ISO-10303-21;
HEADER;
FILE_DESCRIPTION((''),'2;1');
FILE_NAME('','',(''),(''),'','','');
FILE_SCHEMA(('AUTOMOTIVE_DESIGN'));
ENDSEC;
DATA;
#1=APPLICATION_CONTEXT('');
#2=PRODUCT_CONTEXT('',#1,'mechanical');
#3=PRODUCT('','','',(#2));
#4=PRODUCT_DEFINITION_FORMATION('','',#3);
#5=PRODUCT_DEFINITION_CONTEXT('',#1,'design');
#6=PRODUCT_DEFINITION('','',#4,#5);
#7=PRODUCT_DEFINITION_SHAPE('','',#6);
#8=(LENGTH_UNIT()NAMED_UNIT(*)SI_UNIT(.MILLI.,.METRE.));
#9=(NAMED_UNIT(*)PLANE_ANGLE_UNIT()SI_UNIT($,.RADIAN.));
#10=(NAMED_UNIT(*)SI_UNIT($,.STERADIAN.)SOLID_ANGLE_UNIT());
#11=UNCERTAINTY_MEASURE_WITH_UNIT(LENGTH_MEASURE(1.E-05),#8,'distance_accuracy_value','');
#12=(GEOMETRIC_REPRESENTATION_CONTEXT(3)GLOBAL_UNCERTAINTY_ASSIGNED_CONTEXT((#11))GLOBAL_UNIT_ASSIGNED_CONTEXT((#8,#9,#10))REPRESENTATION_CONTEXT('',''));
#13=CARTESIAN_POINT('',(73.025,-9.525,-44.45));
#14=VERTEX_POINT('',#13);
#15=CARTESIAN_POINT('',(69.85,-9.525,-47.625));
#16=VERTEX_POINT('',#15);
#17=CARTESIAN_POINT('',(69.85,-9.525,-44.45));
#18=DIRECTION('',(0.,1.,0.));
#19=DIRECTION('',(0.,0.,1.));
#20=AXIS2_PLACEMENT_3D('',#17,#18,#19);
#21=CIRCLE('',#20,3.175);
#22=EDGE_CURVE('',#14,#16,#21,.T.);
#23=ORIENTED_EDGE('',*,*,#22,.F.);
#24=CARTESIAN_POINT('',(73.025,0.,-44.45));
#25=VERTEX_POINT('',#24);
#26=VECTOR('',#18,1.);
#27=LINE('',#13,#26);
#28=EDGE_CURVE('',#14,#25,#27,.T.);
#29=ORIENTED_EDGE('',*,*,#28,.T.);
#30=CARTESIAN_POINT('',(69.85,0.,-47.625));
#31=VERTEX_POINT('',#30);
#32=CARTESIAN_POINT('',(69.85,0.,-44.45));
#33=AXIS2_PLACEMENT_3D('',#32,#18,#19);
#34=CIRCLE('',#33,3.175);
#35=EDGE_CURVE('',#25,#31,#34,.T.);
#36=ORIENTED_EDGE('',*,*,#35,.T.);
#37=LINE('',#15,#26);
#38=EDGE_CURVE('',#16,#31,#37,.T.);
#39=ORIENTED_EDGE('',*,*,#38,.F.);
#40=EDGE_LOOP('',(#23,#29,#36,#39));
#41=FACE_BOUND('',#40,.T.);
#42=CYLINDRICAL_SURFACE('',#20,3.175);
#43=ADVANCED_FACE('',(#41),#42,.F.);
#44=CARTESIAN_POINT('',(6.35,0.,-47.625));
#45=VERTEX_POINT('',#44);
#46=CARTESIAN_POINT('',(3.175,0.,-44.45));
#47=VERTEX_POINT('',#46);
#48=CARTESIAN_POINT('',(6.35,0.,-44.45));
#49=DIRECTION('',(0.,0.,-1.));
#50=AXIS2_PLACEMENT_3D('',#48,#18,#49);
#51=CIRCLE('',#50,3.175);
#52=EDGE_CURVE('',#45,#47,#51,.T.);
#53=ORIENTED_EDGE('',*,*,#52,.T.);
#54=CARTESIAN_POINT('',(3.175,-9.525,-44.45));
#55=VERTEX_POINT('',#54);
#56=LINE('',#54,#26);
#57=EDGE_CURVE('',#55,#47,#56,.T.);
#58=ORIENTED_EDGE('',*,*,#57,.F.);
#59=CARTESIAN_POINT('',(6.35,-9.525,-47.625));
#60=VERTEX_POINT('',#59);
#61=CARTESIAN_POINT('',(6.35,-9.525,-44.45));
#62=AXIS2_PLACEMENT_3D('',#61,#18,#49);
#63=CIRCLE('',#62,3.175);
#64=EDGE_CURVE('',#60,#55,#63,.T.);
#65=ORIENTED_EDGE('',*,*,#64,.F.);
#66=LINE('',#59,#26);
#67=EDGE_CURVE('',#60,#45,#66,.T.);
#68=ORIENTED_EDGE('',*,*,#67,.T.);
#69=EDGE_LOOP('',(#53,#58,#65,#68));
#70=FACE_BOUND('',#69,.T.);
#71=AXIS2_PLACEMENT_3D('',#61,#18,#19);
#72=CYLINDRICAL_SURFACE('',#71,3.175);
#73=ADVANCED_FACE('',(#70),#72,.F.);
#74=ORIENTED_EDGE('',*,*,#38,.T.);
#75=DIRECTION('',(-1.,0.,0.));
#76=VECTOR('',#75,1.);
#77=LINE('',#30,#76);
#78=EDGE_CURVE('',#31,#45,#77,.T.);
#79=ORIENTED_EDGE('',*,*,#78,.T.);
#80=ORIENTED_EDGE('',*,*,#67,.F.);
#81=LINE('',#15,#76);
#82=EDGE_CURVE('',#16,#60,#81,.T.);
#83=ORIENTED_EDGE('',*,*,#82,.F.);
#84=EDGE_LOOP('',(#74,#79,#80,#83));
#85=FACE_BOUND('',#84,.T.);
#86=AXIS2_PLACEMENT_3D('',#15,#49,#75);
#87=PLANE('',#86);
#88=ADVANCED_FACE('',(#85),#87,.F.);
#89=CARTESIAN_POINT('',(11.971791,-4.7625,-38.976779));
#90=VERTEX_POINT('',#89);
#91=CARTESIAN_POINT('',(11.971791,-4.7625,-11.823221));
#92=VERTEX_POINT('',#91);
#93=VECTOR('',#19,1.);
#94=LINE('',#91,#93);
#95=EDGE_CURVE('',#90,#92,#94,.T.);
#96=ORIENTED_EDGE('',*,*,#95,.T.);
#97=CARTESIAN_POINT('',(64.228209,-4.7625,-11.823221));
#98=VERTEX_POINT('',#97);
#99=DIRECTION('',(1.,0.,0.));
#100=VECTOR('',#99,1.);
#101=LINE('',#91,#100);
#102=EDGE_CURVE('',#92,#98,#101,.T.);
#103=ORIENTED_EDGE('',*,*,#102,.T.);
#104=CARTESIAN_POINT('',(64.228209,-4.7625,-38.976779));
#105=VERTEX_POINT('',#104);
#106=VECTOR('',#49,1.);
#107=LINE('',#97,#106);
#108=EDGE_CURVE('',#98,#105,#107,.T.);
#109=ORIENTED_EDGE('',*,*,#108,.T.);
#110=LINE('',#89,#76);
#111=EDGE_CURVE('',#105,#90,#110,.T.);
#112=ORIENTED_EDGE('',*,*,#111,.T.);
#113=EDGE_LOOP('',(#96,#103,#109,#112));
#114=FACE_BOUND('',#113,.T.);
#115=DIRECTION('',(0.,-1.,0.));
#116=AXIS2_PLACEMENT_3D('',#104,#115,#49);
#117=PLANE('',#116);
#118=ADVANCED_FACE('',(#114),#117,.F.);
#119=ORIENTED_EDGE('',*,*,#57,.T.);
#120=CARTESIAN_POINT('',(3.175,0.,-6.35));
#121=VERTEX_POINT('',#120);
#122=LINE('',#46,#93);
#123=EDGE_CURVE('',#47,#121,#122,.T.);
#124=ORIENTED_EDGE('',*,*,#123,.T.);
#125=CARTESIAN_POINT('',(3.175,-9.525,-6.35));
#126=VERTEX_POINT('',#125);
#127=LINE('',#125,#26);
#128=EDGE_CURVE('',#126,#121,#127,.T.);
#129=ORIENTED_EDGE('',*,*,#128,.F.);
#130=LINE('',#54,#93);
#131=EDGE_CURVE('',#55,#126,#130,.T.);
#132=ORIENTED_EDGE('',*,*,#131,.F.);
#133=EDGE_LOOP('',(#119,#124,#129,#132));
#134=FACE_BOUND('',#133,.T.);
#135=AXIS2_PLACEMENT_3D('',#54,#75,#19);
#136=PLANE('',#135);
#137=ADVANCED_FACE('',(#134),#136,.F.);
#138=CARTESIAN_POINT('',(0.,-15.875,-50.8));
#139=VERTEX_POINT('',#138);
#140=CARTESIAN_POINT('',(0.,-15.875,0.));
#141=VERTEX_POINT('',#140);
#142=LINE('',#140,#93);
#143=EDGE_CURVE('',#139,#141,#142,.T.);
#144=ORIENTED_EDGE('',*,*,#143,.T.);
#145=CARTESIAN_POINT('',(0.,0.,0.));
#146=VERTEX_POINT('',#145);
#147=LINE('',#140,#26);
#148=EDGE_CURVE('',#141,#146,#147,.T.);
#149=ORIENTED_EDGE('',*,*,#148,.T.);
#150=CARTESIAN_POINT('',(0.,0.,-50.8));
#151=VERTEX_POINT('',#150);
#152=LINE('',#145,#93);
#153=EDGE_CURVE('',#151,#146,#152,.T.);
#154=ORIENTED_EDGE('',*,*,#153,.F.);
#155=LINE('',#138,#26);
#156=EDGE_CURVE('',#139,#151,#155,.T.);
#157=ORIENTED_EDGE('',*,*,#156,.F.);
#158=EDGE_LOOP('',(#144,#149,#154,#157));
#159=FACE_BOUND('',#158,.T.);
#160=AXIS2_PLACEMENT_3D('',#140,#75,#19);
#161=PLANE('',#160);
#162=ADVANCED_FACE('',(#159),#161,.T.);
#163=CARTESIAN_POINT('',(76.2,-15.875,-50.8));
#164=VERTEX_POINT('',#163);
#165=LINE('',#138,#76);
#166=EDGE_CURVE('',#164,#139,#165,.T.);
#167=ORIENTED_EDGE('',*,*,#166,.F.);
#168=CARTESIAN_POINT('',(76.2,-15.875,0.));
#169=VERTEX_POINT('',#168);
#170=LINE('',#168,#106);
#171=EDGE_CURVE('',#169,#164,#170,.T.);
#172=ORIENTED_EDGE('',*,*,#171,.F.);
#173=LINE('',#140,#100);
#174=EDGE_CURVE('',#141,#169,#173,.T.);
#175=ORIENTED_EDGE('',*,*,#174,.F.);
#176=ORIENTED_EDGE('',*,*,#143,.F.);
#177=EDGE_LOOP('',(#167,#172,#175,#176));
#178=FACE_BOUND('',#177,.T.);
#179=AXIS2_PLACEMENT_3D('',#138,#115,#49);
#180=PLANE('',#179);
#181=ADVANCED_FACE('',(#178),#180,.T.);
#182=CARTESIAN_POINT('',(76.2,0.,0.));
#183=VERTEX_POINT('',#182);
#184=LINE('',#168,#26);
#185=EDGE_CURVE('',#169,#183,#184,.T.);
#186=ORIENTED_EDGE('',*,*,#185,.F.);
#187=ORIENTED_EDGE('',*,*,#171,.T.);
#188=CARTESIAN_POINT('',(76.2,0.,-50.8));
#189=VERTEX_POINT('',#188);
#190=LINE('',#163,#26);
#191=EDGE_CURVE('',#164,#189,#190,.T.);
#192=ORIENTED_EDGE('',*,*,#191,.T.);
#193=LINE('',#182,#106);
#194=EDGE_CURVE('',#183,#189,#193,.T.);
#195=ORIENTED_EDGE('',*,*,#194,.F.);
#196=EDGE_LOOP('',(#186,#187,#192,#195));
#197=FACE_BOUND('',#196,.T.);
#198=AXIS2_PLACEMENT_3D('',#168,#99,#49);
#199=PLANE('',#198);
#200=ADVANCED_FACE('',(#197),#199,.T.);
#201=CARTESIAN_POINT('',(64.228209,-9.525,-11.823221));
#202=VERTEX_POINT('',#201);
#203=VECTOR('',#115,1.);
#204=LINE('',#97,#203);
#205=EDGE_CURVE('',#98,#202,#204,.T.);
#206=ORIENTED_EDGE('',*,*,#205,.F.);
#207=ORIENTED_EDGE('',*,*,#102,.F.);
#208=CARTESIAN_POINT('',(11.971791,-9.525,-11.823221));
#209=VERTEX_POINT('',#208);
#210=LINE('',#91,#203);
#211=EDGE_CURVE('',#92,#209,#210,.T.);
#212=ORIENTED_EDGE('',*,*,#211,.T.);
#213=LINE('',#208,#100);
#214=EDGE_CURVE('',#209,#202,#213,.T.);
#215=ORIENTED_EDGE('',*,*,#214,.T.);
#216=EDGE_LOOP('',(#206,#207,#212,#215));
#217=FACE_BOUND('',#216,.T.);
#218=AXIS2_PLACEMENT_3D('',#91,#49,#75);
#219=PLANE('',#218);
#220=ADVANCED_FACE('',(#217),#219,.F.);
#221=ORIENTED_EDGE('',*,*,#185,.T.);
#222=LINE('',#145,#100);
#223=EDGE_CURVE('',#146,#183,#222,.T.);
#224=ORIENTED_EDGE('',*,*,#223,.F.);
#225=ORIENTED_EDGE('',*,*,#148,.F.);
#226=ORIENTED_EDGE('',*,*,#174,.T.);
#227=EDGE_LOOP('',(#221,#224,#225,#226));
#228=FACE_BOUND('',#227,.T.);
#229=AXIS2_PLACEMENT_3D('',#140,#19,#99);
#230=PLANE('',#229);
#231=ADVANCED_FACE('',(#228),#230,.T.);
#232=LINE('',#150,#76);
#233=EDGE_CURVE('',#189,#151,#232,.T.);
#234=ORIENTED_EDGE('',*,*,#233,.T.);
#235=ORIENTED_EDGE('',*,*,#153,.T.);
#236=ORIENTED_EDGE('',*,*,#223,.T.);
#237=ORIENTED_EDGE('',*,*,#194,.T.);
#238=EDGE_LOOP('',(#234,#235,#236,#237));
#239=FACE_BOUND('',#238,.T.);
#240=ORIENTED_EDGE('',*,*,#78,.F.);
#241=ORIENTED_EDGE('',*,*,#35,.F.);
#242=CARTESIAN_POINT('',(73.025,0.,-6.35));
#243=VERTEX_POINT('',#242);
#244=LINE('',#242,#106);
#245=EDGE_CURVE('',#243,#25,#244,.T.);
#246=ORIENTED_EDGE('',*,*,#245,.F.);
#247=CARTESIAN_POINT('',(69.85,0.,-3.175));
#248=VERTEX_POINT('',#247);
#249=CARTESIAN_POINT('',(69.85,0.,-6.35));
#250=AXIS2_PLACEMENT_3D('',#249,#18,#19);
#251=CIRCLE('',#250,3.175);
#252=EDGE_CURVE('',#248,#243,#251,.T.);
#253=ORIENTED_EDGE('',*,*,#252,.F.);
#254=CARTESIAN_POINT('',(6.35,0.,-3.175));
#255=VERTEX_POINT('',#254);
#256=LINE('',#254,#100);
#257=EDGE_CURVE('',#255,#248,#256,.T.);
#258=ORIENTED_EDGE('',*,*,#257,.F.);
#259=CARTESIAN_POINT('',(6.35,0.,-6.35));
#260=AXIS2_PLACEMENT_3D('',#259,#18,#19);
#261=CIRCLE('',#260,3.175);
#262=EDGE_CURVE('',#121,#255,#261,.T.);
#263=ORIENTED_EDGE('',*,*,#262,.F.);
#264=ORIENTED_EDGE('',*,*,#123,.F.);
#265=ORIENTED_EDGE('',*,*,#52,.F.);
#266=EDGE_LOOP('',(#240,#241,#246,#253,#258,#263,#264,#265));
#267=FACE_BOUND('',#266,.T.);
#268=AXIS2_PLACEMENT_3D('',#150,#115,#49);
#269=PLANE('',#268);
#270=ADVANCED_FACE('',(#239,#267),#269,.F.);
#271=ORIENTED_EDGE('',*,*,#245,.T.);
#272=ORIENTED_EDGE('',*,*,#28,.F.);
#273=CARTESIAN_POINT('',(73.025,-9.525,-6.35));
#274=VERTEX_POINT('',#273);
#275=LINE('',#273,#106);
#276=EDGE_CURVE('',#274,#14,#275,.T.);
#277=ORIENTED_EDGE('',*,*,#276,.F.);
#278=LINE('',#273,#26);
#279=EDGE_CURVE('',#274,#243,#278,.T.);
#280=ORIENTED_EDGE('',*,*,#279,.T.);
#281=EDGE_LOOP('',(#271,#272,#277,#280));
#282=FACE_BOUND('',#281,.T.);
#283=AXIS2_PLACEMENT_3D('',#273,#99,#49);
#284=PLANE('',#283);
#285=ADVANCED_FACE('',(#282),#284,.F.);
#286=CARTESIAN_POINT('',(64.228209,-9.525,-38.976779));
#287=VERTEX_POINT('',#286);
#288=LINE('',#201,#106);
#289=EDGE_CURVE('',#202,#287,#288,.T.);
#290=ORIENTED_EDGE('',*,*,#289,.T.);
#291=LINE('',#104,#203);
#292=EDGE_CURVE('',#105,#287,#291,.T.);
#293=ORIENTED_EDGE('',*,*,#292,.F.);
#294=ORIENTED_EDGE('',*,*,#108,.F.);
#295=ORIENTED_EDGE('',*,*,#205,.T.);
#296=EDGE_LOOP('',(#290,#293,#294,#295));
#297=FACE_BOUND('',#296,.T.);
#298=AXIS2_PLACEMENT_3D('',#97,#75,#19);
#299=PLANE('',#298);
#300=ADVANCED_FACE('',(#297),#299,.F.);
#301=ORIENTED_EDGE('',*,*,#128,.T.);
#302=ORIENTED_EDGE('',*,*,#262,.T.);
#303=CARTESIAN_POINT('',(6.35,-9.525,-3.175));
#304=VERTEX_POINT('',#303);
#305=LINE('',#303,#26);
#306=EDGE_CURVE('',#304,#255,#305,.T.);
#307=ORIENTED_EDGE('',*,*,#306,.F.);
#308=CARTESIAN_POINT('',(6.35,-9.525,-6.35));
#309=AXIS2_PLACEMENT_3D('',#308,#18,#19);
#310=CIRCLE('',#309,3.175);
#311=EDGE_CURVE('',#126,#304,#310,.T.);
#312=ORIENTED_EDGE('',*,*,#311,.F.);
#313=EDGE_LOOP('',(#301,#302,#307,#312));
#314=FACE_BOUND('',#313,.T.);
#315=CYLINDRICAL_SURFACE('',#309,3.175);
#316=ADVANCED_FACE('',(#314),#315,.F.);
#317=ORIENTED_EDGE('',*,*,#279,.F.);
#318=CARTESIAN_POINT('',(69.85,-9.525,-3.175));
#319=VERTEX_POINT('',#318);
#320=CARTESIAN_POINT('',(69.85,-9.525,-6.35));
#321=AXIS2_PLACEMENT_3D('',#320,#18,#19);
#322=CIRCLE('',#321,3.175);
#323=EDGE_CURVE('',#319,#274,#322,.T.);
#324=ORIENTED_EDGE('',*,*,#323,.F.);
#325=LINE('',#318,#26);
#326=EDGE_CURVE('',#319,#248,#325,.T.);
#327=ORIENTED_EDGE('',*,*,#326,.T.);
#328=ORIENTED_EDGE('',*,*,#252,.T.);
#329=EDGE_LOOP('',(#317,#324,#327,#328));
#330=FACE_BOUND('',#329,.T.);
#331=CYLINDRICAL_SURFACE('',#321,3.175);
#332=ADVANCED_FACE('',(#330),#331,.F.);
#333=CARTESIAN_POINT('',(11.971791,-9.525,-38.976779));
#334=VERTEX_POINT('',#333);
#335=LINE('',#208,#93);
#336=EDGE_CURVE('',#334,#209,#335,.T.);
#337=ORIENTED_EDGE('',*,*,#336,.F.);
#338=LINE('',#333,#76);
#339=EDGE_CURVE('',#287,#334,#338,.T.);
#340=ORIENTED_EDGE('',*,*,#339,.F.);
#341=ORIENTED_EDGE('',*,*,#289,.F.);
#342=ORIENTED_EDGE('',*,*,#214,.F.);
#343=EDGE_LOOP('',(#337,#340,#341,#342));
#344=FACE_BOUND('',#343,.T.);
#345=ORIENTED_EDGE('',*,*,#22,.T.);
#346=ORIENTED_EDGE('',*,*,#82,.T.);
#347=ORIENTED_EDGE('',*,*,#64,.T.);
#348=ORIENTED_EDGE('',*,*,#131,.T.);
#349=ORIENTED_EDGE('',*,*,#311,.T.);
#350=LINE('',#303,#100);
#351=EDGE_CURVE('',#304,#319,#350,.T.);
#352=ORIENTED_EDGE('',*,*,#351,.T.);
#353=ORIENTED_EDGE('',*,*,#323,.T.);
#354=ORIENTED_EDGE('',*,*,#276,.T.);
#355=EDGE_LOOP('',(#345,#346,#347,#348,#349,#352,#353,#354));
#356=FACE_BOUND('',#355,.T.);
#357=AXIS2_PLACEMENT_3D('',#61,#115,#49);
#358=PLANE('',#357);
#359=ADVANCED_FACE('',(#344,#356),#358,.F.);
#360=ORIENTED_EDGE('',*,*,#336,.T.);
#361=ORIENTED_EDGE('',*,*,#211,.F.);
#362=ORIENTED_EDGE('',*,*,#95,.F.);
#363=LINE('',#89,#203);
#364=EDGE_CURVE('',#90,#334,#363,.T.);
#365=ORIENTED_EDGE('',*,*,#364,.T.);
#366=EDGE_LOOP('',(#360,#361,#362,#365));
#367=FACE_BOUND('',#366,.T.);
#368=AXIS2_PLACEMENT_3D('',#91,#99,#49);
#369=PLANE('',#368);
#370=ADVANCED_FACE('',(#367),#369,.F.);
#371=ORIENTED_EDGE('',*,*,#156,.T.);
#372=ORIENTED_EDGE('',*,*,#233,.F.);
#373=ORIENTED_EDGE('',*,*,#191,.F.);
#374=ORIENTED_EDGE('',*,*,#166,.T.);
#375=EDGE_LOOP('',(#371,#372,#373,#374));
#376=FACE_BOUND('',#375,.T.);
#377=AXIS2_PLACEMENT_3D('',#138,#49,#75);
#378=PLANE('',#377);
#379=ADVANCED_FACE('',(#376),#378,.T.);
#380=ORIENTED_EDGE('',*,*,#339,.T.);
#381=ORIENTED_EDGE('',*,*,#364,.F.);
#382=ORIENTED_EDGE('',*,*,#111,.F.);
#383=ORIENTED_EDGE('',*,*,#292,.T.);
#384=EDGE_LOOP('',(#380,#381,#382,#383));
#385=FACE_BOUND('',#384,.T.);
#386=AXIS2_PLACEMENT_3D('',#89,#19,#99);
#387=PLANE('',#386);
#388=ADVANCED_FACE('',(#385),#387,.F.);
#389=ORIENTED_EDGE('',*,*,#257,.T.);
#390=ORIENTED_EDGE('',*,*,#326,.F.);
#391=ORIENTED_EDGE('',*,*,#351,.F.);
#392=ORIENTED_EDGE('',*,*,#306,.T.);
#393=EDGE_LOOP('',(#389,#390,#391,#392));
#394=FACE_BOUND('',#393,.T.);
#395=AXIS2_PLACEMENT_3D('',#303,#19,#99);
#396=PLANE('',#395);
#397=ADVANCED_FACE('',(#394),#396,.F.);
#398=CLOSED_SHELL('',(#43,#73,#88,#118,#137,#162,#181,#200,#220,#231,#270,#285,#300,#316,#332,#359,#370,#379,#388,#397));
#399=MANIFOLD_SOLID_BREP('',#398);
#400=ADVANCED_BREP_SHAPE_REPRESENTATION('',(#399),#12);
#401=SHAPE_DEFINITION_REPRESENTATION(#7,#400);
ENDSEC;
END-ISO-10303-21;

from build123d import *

# Parameters (mm, degrees)
SKETCH4_W      = 76.2
SKETCH4_H      = 50.8
EXTRUDE2_DEPTH = 15.875
EXTRUDE3_DEPTH = 9.525
SKETCH6_W      = 52.256418226
SKETCH6_H      = 27.153557036
EXTRUDE4_DEPTH = 4.7625


with BuildPart() as part:
    # Sketch4 → Extrude2 (new body)
    with BuildSketch(Plane(origin=(0, 0, 0), x_dir=(1, 0, 0), z_dir=(0, 1, 0))):
        with Locations((38.1, 25.4)):
            Rectangle(SKETCH4_W, SKETCH4_H)
    extrude(amount=-EXTRUDE2_DEPTH)

    # Sketch5 → Extrude3 (cut)
    with BuildSketch(Plane(origin=(0, 0, 0), x_dir=(1, 0, 0), z_dir=(0, 1, 0))):
        with BuildLine():
            Line((3.175, 44.45), (3.175, 6.35))
            ThreePointArc((3.175, 6.35), (4.10493597, 4.10493597), (6.35, 3.175))
            Line((6.35, 3.175), (69.85, 3.175))
            ThreePointArc((69.85, 3.175), (72.09506403, 4.10493597), (73.025, 6.35))
            Line((73.025, 6.35), (73.025, 44.45))
            ThreePointArc((73.025, 44.45), (72.09506403, 46.69506403), (69.85, 47.625))
            Line((69.85, 47.625), (6.35, 47.625))
            ThreePointArc((6.35, 47.625), (4.10493597, 46.69506403), (3.175, 44.45))
        make_face()
    extrude(amount=-EXTRUDE3_DEPTH, mode=Mode.SUBTRACT)

    # Sketch6 → Extrude4 (add)
    with BuildSketch(Plane(origin=(0, -9.525, 0), x_dir=(-1, 0, 0), z_dir=(0, 1, 0))):
        with Locations((-38.1, -25.4)):
            Rectangle(SKETCH6_W, SKETCH6_H)
    extrude(amount=EXTRUDE4_DEPTH)


solid = part.part
